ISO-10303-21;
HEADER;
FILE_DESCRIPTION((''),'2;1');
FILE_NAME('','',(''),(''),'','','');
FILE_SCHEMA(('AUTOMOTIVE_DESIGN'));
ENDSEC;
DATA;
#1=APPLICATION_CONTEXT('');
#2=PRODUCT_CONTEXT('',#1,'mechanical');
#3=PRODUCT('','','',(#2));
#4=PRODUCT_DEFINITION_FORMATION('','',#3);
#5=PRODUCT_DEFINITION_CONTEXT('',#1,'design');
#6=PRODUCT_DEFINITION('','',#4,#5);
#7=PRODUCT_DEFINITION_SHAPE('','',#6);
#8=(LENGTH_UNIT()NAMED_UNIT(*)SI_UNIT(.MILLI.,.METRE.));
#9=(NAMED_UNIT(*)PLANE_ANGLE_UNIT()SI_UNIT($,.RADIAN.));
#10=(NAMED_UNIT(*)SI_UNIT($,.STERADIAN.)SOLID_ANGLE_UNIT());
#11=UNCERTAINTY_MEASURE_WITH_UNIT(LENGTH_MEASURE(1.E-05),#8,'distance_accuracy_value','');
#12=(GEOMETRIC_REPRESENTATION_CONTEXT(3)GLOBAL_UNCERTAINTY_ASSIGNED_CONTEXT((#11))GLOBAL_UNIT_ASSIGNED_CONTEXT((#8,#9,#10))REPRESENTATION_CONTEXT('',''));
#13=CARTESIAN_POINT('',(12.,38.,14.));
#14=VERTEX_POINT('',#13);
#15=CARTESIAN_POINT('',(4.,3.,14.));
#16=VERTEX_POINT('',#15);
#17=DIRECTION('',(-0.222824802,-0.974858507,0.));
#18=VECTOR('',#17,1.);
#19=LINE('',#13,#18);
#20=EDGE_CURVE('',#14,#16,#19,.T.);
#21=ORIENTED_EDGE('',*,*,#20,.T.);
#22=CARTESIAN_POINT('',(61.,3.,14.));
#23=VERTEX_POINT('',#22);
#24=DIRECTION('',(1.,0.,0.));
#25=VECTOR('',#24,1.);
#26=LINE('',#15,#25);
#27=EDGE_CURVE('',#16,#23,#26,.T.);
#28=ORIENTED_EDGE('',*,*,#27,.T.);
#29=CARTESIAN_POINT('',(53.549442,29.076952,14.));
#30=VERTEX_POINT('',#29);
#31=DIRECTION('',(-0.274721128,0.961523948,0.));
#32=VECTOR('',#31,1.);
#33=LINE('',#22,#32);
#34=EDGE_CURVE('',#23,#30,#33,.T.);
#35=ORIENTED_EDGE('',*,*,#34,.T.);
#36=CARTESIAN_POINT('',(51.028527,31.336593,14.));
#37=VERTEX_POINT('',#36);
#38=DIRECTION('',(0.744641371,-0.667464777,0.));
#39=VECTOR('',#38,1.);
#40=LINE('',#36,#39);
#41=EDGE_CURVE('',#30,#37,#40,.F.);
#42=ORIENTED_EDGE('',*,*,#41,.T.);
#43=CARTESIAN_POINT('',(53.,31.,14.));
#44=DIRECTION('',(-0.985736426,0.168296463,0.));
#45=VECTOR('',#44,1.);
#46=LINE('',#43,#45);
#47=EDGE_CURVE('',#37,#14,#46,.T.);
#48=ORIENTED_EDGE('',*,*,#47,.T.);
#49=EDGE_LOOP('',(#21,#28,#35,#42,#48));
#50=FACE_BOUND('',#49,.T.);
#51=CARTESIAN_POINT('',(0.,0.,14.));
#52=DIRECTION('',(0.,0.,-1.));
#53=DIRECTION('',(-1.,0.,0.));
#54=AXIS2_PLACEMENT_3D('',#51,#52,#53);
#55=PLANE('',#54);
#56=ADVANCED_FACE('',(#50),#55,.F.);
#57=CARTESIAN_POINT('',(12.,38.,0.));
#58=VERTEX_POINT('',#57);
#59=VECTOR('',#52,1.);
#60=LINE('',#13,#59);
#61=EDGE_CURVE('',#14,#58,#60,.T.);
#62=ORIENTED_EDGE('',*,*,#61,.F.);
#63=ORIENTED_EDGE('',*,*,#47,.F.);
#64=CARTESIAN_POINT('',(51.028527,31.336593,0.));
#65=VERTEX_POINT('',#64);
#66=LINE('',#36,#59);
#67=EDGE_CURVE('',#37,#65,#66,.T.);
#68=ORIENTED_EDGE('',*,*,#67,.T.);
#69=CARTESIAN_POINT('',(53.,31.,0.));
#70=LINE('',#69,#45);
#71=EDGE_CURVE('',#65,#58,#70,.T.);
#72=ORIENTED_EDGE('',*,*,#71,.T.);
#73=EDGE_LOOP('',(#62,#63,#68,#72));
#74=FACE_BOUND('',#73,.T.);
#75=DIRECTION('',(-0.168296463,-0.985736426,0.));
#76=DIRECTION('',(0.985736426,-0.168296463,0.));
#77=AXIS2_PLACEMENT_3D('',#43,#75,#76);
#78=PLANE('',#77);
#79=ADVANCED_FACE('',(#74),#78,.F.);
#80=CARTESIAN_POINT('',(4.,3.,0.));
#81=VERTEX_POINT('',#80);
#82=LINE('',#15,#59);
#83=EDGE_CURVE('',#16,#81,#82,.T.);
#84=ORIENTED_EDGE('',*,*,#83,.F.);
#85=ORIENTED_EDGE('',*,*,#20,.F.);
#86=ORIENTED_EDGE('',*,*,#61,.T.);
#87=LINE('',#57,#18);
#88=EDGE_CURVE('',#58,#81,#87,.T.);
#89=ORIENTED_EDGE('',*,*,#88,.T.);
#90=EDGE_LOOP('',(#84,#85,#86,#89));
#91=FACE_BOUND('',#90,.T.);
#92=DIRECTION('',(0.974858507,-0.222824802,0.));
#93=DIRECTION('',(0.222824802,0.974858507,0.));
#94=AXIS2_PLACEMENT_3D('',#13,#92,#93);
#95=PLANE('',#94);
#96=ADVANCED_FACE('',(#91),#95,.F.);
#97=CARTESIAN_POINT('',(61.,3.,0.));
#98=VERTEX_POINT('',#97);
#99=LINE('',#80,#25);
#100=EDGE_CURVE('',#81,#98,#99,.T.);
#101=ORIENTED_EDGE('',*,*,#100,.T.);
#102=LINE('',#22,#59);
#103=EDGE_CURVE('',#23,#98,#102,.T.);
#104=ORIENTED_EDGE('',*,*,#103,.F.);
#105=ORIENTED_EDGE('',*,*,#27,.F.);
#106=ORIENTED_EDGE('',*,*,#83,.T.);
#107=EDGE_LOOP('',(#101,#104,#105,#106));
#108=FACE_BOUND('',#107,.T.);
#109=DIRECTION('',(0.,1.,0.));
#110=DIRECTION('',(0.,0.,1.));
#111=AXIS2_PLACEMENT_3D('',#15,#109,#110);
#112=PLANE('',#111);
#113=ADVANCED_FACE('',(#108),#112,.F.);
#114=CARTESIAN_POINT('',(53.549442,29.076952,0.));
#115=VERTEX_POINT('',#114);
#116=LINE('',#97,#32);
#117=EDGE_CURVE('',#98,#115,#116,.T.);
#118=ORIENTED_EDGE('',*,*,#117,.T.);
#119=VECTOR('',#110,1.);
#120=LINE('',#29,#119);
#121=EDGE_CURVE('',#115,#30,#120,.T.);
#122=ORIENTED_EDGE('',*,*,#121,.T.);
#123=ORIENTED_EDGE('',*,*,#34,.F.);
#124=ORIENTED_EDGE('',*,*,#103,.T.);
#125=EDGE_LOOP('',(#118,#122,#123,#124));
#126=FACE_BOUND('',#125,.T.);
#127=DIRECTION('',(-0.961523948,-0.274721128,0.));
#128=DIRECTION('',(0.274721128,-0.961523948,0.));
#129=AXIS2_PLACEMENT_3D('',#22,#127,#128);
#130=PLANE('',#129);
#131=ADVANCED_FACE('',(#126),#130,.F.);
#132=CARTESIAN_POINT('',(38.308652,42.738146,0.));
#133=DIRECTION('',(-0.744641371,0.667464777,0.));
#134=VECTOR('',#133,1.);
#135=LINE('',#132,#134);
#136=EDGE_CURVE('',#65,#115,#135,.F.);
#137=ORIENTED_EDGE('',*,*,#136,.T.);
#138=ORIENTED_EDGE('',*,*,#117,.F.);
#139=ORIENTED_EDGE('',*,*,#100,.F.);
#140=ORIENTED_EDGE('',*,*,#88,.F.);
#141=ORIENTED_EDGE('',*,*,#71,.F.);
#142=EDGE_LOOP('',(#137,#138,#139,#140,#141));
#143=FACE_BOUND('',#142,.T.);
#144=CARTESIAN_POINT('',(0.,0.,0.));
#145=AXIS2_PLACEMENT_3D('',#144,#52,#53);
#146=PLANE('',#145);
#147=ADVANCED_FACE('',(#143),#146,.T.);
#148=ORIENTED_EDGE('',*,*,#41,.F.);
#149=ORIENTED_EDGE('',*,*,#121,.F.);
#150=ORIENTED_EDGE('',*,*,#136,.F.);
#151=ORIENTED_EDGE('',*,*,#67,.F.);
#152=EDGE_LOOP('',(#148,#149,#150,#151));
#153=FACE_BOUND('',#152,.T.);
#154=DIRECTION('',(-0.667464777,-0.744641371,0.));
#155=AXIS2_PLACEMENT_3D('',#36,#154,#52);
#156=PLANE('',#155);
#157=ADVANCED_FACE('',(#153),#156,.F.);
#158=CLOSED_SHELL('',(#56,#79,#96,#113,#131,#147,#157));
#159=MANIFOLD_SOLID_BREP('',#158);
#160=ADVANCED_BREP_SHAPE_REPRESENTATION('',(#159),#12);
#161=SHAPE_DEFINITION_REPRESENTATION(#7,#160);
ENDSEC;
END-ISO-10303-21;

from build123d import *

# Parameters (mm, degrees)
BOSS_EXTRUDE1_DEPTH = 14
CHAMFER1_SIZE       = 2


with BuildPart() as part:
    # Sketch1 → Boss-Extrude1 (new body)
    with BuildSketch(Plane.XY):
        Polygon((4, 3), (61, 3), (53, 31), (12, 38), align=None)
    extrude(amount=BOSS_EXTRUDE1_DEPTH)

    # Chamfer1
    chamfer1_edges = [part.edges().sort_by_distance(p)[0] for p in [
        (53, 31, 7),
    ]]
    chamfer(chamfer1_edges, length=CHAMFER1_SIZE)


solid = part.part
